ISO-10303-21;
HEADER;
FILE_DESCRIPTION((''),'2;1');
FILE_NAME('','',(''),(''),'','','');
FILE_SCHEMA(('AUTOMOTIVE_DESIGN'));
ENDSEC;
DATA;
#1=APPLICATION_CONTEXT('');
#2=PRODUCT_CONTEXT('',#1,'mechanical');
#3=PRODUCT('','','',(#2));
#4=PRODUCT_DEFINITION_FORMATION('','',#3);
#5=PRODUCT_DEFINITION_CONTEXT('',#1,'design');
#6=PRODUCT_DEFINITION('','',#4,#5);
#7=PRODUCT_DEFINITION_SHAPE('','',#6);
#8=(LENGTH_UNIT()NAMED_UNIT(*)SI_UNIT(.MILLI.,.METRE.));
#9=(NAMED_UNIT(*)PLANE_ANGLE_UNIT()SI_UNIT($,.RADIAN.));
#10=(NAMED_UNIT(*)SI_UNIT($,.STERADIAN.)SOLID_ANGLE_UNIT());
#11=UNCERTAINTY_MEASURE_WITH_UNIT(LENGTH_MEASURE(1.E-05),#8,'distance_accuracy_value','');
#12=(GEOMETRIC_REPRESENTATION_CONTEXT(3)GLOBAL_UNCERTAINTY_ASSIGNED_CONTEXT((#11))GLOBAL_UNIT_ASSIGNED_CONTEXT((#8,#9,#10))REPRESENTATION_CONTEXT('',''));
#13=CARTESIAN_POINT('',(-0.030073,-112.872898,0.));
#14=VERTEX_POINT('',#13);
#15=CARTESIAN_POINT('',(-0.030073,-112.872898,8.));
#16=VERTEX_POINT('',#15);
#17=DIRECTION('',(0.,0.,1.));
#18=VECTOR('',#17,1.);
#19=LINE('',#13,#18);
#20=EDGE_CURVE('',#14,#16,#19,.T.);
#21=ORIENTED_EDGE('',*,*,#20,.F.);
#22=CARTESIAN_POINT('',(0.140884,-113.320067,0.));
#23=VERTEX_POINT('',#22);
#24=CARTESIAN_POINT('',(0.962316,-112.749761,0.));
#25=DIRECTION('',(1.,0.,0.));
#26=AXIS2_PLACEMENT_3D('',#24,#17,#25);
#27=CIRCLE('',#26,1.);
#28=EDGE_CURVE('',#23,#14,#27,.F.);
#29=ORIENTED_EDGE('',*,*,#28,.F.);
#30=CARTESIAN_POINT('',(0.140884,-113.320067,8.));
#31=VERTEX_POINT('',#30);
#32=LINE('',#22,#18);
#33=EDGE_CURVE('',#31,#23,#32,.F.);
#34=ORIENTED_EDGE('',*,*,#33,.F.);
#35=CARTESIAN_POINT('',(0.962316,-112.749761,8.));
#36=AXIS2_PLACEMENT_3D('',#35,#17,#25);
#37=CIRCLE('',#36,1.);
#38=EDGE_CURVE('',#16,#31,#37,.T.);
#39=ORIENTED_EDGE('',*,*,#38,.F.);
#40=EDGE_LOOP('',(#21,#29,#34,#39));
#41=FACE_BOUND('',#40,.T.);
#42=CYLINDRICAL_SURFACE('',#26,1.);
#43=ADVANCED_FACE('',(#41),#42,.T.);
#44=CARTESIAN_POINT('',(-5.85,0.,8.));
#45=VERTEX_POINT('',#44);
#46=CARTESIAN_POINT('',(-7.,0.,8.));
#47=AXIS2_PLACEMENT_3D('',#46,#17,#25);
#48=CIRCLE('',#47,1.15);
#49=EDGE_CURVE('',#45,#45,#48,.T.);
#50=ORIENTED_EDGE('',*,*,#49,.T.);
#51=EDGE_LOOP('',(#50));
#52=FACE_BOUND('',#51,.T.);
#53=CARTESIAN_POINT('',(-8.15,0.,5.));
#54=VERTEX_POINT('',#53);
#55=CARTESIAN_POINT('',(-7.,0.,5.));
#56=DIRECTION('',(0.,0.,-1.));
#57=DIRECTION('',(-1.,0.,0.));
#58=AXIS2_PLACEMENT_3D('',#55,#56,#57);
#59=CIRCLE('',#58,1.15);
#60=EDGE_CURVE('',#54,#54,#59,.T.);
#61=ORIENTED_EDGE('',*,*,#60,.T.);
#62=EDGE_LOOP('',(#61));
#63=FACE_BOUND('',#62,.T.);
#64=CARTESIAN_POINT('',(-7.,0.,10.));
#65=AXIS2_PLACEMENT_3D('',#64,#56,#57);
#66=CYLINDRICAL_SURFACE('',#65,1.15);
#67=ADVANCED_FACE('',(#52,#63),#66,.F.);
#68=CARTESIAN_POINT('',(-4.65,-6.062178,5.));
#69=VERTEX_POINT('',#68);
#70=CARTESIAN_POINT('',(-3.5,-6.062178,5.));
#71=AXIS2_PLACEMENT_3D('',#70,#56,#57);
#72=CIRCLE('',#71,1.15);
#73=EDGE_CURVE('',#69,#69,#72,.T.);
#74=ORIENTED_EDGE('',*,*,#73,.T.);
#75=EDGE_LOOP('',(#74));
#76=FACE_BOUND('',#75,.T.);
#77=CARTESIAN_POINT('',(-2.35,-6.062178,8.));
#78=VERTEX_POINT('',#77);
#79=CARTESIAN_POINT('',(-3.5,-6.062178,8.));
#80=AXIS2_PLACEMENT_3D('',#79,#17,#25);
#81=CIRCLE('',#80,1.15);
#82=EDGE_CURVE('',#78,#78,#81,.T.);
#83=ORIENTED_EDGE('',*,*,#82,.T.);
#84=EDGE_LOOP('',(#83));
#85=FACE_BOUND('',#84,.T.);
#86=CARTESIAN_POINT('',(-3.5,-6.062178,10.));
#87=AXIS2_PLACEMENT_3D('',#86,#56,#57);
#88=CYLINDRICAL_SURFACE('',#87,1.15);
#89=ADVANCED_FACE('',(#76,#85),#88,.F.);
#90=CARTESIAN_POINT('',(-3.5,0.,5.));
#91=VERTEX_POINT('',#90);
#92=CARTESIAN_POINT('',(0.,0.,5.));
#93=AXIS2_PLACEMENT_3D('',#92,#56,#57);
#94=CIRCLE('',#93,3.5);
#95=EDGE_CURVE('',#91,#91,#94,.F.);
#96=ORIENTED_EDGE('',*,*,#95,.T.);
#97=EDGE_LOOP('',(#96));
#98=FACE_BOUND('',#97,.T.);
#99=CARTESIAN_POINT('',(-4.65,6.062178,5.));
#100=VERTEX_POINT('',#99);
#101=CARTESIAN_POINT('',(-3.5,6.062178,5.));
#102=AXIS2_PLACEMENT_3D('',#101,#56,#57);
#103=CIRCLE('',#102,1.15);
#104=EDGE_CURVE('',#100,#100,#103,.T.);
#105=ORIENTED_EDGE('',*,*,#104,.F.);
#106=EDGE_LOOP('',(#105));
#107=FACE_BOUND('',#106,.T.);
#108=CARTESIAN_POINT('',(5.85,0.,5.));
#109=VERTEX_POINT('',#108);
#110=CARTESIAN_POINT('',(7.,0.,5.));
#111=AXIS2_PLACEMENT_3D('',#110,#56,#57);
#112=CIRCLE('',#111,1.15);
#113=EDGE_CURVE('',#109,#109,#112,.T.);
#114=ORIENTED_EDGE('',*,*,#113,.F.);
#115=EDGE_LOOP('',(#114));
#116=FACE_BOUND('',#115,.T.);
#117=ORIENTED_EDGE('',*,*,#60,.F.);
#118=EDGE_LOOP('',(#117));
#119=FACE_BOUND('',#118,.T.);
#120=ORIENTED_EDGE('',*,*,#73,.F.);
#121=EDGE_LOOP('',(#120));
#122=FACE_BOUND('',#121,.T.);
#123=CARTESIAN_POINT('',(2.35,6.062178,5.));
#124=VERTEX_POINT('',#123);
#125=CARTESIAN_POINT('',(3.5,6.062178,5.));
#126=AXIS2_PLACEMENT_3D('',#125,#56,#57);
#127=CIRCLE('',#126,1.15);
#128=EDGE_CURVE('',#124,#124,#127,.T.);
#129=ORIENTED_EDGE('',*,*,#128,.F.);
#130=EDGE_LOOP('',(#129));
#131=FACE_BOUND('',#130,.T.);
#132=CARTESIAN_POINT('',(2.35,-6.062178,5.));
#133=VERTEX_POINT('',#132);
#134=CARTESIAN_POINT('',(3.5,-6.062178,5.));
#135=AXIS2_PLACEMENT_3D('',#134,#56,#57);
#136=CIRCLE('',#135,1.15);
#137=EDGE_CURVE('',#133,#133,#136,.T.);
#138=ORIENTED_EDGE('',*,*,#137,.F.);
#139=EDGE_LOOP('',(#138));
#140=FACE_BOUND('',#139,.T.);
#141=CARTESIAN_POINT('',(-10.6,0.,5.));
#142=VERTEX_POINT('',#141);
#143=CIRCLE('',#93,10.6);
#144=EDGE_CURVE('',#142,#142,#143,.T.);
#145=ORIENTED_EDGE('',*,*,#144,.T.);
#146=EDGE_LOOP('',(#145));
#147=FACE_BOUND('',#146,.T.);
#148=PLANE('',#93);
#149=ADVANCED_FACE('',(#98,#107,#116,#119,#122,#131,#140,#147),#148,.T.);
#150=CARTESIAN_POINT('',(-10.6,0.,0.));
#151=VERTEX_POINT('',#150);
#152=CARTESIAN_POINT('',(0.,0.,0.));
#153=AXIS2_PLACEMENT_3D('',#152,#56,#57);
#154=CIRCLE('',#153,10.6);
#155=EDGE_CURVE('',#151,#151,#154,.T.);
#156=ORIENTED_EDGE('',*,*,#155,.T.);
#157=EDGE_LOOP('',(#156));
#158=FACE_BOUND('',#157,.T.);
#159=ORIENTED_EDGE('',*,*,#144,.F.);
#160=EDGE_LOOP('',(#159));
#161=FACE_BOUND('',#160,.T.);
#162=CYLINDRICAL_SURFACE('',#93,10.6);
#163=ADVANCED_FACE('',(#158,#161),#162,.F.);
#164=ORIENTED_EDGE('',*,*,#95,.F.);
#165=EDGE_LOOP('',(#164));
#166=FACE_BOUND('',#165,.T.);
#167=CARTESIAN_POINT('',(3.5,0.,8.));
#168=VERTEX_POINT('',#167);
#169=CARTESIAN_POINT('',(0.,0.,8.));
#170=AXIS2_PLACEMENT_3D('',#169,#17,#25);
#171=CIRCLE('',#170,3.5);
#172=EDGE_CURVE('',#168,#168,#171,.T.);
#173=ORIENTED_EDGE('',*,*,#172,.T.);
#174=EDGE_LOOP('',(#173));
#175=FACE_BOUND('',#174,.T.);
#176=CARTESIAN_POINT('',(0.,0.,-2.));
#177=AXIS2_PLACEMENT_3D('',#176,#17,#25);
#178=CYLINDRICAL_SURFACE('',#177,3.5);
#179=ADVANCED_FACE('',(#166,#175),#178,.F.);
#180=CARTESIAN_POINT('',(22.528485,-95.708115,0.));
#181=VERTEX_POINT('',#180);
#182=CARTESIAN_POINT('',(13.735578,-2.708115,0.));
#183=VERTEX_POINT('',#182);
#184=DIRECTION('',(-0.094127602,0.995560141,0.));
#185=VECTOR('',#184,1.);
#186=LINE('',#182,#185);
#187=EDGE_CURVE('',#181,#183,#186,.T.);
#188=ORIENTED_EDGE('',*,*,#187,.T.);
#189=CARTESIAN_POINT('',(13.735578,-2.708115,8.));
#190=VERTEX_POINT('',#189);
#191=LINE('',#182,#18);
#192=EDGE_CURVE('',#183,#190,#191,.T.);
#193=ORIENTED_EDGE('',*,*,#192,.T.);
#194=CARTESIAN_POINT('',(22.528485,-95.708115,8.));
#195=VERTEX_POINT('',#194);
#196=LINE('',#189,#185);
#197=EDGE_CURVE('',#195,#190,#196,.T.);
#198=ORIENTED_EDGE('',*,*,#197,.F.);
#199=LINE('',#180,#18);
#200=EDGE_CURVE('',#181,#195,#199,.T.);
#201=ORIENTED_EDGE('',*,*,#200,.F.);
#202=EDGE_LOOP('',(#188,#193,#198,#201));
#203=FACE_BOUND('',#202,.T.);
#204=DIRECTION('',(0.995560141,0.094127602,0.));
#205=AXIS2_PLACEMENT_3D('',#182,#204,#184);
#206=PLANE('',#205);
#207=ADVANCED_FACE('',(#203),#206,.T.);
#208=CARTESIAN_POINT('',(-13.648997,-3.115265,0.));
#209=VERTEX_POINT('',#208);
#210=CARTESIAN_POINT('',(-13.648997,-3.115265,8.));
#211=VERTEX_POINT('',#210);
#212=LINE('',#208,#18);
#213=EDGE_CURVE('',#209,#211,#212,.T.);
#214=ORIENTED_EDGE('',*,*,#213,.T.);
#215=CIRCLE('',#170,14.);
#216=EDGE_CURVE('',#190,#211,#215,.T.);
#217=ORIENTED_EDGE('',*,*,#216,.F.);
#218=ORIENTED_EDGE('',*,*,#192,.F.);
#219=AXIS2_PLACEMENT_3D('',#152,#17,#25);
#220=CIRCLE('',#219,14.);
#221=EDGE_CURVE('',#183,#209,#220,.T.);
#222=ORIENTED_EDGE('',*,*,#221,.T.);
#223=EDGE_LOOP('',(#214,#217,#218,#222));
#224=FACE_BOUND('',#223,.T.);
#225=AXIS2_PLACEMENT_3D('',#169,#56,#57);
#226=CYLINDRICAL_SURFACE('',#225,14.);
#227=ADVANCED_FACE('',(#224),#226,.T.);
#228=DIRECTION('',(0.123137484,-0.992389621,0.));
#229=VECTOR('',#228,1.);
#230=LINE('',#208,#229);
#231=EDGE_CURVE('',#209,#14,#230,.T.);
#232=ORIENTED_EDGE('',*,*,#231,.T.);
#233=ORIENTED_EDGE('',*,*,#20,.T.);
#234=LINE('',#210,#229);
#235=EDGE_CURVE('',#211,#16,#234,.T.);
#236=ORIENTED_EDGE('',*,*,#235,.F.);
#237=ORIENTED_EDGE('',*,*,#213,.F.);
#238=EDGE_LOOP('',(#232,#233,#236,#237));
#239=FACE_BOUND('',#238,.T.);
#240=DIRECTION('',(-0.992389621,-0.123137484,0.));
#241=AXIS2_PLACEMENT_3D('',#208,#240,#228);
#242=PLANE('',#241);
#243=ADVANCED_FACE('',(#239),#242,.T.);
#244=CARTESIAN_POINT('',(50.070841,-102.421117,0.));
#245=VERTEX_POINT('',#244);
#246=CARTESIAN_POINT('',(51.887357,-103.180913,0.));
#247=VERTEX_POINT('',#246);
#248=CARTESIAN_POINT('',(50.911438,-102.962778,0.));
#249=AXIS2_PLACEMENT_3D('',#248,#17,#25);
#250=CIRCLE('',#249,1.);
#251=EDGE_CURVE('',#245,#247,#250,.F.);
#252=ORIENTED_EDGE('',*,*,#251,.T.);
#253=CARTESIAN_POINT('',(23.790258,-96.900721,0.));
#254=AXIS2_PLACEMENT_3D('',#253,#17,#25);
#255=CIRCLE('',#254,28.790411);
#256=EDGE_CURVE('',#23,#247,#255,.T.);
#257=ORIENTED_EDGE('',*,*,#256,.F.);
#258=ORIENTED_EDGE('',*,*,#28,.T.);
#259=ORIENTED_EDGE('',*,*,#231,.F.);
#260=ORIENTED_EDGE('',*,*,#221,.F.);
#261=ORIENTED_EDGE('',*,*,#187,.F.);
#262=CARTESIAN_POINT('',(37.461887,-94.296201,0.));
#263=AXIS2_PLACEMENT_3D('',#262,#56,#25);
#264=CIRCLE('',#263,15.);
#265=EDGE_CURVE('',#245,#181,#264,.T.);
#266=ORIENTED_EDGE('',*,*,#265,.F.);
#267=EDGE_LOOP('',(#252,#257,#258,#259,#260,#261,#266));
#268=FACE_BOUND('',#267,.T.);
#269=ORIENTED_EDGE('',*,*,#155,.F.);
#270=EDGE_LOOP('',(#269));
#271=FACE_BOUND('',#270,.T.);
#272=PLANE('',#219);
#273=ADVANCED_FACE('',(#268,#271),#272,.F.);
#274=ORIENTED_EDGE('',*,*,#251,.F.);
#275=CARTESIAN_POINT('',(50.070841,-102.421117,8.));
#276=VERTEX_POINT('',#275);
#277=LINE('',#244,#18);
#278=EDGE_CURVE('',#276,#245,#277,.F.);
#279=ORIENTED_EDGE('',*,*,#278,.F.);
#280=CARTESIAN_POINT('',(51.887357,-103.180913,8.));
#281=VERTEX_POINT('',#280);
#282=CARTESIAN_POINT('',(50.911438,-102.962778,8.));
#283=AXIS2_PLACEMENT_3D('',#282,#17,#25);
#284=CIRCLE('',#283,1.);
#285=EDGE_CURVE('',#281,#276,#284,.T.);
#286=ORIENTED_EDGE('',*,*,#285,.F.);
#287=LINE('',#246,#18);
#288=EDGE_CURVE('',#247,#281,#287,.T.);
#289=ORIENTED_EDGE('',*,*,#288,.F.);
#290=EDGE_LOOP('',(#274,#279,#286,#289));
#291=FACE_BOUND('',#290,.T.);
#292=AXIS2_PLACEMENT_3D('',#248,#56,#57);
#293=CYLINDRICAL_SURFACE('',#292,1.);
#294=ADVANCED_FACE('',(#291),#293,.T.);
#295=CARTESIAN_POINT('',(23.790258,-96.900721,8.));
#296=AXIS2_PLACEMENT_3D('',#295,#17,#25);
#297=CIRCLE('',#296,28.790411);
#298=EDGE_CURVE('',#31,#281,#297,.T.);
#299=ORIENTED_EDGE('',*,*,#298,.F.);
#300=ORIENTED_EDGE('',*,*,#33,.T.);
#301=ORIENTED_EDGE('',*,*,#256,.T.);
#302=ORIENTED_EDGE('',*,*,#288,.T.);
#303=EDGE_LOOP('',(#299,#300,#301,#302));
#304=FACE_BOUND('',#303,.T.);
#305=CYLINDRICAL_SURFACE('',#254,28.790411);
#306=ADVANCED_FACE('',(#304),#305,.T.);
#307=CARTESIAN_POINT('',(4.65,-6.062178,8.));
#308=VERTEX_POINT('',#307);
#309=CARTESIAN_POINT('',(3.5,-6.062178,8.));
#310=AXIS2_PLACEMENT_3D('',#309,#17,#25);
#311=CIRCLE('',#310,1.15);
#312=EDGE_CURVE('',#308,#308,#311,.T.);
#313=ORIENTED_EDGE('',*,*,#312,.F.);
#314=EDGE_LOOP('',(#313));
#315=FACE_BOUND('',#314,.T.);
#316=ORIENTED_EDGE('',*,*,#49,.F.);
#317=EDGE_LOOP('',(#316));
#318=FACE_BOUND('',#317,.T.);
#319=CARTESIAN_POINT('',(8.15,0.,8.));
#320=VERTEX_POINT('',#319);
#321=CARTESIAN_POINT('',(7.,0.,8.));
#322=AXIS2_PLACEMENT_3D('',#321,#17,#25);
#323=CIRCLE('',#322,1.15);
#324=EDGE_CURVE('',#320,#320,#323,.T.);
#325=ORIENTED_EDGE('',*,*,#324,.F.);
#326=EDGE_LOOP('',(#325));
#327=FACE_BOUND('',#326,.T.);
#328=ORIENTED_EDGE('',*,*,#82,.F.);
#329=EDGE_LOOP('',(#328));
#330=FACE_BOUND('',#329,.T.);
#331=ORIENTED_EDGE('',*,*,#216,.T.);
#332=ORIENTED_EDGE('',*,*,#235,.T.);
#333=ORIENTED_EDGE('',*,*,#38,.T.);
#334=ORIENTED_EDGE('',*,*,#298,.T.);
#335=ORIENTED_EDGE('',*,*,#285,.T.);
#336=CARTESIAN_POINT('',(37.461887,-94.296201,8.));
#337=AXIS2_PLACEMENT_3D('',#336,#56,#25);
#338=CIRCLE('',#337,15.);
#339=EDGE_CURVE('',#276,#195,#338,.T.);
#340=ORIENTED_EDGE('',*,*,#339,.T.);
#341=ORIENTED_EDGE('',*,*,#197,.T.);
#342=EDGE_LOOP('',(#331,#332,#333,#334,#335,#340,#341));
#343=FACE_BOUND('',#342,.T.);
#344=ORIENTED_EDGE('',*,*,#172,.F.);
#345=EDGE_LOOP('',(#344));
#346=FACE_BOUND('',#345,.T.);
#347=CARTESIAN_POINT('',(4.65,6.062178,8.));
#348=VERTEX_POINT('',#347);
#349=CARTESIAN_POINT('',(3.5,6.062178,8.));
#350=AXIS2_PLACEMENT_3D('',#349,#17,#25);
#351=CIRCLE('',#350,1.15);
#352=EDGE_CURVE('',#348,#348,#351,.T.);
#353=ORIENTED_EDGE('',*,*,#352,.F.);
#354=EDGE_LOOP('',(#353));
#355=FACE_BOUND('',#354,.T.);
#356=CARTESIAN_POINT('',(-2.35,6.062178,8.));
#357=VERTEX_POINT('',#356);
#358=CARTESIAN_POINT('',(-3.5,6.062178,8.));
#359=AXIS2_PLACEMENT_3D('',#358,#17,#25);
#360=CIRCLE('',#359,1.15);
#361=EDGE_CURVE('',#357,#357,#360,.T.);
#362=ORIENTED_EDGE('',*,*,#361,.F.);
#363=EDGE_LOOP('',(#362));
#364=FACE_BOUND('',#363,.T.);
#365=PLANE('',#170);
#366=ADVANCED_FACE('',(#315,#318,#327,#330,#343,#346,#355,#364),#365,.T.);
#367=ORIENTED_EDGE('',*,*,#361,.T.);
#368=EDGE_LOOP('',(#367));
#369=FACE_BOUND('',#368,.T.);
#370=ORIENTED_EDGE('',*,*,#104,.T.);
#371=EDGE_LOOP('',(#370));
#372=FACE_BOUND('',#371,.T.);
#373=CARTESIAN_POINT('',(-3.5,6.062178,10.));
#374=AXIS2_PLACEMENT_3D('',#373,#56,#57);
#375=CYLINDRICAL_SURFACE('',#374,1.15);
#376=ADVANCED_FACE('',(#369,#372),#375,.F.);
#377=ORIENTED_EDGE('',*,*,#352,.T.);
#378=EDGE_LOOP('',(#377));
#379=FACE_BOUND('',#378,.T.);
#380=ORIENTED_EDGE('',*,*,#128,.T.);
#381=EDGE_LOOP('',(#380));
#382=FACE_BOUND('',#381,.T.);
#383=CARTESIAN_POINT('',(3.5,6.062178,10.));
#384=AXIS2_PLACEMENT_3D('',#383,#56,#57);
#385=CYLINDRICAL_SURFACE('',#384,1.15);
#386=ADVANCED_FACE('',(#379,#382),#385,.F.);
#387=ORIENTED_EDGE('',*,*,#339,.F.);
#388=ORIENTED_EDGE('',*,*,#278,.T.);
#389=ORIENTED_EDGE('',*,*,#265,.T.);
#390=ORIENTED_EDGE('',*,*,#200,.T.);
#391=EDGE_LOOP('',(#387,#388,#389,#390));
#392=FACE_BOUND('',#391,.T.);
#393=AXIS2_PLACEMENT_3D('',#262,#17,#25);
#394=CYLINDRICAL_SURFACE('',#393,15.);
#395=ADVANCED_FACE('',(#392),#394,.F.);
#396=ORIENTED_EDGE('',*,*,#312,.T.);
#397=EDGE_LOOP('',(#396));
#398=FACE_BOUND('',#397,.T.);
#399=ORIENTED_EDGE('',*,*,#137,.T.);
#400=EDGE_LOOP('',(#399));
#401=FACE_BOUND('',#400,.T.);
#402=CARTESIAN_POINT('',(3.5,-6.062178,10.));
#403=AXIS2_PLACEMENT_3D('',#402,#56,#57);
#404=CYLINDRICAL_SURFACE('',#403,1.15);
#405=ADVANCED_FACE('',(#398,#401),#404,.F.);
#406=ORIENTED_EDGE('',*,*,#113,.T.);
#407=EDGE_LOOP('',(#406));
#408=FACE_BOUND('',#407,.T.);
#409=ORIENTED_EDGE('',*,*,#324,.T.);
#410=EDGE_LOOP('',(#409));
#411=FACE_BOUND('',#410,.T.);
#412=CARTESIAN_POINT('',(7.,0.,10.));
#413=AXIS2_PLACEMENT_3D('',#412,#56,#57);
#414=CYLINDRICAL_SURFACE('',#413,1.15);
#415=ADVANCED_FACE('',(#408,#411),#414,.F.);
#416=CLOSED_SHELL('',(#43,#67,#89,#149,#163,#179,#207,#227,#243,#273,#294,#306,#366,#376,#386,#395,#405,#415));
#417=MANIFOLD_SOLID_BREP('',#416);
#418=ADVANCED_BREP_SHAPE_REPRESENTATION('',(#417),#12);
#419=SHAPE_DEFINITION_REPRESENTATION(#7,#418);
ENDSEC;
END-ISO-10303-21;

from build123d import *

# Parameters (mm, degrees)
SKETCH_1_R          = 14
EXTRUDE_1_DEPTH     = 8
SKETCH_3_R          = 3.5
CUT_EXTRUDE_2_DEPTH = 10
EXTRUDE_START       = -8
EXTRUDE_3_DEPTH     = 8
SKETCH_2_R          = 10.6
CUT_EXTRUDE_3_DEPTH = 5
SKETCH_7_R          = 1.15
CUT_EXTRUDE_4_DEPTH = 5
FILLET_1_R          = 1
FILLET_2_R          = 1


with BuildPart() as part:
    # 스케치1 → 보스-돌출1 (new body)
    with BuildSketch(Plane.XY):
        Circle(SKETCH_1_R)
    extrude(amount=EXTRUDE_1_DEPTH)

    # 스케치3 → 컷-돌출2 (cut)
    with BuildSketch(Plane.XY.offset(8)):
        Circle(SKETCH_3_R)
    extrude(amount=-CUT_EXTRUDE_2_DEPTH, mode=Mode.SUBTRACT)

    # 스케치6 → 보스-돌출3 (add)
    with BuildSketch(Plane.XY.offset(8).offset(EXTRUDE_START)):
        with BuildLine():
            Line((13.735578357, -2.708115061), (22.528484651, -95.708115061))
            ThreePointArc((22.528484651, -95.708115061), (38.172657843, -109.27935171), (52.461884597, -94.288133687))
            ThreePointArc((52.461884597, -94.288133687), (33.515079478, -123.998980013), (0, -113.115264599))
            Line((0, -113.115264599), (-13.64899727, -3.115264599))
            ThreePointArc((-13.64899727, -3.115264599), (0.208126783, -13.998452887), (13.735578357, -2.708115061))
        make_face()
    extrude(amount=EXTRUDE_3_DEPTH)

    # 스케치2 → 컷-돌출3 (cut)
    with BuildSketch(Plane(origin=(0, 0, 0), x_dir=(-1, 0, 0), z_dir=(0, 0, -1))):
        Circle(SKETCH_2_R)
    extrude(amount=-CUT_EXTRUDE_3_DEPTH, mode=Mode.SUBTRACT)

    # 스케치7 → 컷-돌출4 (cut)
    with BuildSketch(Plane(origin=(0, 0, 5), x_dir=(-1, 0, 0), z_dir=(0, 0, -1))):
        with Locations((7, 0)):
            Circle(SKETCH_7_R)
        with Locations((3.5, -6.062177826)):
            Circle(SKETCH_7_R)
        with Locations((-3.5, -6.062177826)):
            Circle(SKETCH_7_R)
        with Locations((-7, 0)):
            Circle(SKETCH_7_R)
        with Locations((-3.5, 6.062177826)):
            Circle(SKETCH_7_R)
        with Locations((3.5, 6.062177826)):
            Circle(SKETCH_7_R)
    extrude(amount=-CUT_EXTRUDE_4_DEPTH, mode=Mode.SUBTRACT)

    # 필렛1
    fillet_1_edges = [part.edges().sort_by_distance(p)[0] for p in [
        (52.461884597, -94.288133687, 4),
    ]]
    fillet(fillet_1_edges, radius=FILLET_1_R)

    # 필렛2
    fillet_2_edges = [part.edges().sort_by_distance(p)[0] for p in [
        (0, -113.115264599, 4),
    ]]
    fillet(fillet_2_edges, radius=FILLET_2_R)


solid = part.part
